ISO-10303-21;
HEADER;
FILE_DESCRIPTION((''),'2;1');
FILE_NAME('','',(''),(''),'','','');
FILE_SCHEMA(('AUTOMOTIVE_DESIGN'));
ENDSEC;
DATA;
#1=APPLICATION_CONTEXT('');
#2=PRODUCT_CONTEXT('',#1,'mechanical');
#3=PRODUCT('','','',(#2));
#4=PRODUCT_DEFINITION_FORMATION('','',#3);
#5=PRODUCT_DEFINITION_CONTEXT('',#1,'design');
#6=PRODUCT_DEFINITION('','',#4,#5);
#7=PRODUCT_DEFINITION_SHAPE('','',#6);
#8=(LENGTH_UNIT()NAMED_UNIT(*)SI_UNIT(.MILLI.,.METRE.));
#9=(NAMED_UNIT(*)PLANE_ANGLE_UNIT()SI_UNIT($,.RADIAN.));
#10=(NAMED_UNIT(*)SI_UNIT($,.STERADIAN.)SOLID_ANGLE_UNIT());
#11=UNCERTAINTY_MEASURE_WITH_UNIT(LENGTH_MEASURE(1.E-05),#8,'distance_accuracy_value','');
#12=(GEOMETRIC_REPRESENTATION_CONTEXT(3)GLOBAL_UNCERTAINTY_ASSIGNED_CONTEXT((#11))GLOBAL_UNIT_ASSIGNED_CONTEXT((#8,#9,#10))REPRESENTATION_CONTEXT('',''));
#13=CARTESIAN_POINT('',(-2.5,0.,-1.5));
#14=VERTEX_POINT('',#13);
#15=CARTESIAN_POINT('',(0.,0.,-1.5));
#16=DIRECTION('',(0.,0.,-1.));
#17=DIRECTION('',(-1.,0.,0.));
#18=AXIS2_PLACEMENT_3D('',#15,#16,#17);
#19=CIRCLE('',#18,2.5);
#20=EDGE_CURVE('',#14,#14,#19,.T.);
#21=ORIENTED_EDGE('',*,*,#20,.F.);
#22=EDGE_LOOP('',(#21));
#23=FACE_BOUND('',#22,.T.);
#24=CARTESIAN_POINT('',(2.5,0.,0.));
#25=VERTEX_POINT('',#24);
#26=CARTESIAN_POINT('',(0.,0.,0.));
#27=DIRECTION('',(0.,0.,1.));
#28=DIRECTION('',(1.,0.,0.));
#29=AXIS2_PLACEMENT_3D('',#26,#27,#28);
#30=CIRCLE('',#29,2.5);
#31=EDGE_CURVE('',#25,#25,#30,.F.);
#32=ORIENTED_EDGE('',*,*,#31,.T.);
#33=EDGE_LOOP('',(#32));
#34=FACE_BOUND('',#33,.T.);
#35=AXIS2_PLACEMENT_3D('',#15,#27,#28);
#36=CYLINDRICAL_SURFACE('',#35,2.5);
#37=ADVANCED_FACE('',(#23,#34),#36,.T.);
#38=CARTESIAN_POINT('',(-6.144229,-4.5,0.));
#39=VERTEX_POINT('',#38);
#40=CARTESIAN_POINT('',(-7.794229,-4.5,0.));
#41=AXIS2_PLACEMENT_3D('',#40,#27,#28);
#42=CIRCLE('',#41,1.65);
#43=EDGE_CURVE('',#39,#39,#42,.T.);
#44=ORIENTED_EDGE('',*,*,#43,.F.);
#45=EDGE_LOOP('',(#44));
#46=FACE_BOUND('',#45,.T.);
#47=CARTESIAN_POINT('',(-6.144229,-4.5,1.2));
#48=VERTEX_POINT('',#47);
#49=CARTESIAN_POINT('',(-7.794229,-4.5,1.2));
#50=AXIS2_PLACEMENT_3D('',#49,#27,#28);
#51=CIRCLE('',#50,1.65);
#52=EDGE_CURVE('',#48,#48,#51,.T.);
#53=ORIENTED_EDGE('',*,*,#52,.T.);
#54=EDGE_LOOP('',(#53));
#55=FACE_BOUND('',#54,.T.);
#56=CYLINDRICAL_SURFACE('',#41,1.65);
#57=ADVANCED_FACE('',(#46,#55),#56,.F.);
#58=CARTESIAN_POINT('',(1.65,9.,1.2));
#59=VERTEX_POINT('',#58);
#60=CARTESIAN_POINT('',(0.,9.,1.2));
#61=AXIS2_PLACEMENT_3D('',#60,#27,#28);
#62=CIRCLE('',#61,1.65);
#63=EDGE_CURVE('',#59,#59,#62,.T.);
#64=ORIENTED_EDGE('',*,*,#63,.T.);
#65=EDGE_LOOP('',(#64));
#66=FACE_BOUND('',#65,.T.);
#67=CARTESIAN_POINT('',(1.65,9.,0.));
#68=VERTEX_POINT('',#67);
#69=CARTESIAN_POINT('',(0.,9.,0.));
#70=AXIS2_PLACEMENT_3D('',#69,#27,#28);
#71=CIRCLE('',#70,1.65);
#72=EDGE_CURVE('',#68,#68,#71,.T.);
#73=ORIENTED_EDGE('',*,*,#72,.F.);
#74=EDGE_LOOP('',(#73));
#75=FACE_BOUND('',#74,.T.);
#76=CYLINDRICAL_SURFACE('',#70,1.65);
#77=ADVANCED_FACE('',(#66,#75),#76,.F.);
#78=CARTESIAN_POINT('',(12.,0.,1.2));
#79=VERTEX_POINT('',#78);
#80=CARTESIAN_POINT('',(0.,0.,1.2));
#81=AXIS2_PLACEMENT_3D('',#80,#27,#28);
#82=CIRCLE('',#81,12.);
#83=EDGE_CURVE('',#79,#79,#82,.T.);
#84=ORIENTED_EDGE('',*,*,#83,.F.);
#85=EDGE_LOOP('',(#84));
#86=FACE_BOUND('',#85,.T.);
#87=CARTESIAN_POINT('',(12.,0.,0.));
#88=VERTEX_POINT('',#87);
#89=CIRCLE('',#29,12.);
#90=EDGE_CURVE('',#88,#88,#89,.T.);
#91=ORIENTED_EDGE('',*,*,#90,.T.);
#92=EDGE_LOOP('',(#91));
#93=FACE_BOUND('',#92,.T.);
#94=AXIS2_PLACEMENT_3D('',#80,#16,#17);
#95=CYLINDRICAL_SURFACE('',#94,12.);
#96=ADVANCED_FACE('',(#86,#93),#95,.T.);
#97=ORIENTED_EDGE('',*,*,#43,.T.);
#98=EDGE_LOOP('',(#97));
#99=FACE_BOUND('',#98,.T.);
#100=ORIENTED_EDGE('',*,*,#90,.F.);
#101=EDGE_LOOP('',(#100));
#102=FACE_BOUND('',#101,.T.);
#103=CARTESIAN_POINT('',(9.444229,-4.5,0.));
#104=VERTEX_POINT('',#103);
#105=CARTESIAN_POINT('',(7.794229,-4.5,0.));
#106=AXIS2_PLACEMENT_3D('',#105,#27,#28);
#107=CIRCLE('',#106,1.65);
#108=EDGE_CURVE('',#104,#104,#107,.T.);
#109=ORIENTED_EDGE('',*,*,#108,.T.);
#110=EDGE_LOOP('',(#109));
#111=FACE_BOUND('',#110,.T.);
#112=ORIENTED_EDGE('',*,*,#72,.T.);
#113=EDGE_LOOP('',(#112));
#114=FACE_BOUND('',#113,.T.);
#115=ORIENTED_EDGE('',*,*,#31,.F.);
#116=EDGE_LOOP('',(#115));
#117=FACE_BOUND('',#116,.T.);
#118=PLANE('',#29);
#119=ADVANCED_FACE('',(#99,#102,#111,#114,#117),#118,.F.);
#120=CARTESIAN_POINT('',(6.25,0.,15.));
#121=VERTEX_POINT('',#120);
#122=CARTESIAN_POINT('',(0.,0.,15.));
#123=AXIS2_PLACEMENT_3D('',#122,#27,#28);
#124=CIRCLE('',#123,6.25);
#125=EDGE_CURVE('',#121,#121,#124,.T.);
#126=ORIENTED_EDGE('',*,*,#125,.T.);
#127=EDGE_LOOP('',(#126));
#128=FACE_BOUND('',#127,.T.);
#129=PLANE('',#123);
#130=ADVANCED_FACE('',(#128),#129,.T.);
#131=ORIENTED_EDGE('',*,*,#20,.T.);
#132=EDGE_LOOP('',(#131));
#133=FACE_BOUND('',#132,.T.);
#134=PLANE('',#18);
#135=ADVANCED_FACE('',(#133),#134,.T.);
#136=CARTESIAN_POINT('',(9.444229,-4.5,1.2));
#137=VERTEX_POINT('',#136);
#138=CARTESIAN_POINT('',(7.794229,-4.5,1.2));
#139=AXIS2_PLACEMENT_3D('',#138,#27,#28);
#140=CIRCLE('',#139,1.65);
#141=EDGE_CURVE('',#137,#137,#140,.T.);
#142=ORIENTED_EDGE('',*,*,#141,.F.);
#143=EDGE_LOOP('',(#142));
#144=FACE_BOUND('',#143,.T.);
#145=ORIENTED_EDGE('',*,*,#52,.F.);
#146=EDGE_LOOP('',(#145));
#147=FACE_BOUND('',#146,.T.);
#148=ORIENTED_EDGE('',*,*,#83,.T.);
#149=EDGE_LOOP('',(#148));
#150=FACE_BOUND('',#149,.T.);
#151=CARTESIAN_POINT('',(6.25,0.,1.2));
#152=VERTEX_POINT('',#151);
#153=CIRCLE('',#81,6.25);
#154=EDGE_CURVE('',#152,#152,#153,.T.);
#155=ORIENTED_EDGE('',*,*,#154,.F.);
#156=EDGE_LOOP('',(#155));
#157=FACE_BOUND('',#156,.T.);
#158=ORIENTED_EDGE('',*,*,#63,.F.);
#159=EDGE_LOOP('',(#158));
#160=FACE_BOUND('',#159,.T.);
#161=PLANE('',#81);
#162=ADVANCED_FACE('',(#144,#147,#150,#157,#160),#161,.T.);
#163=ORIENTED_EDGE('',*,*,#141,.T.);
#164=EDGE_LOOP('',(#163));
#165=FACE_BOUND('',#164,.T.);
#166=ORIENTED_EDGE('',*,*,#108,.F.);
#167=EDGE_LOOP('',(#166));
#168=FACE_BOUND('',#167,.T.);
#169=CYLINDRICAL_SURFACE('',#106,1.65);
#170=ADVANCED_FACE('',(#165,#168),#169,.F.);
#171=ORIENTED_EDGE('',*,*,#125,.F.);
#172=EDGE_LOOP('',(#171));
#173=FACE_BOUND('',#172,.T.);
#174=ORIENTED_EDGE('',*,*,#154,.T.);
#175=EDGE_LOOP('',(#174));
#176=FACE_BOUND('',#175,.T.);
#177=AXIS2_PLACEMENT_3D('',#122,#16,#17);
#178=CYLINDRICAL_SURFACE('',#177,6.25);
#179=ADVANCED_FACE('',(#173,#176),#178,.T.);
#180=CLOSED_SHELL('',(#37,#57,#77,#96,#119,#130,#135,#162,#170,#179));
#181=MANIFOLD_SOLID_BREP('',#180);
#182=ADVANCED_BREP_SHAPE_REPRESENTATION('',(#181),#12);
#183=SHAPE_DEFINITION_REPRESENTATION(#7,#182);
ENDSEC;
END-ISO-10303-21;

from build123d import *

# Parameters (mm, degrees)
SKETCH1_R           = 12
BOSS_EXTRUDE1_DEPTH = 1.2
SKETCH2_R           = 6.25
BOSS_EXTRUDE2_DEPTH = 13.8
SKETCH3_R           = 1.65
CUT_EXTRUDE1_DEPTH  = 2.2
SKETCH4_R           = 2.5
BOSS_EXTRUDE3_DEPTH = 1.5


with BuildPart() as part:
    # Sketch1 → Boss-Extrude1 (new body)
    with BuildSketch(Plane.XY):
        Circle(SKETCH1_R)
    extrude(amount=BOSS_EXTRUDE1_DEPTH)

    # Sketch2 → Boss-Extrude2 (add)
    with BuildSketch(Plane.XY.offset(1.2)):
        Circle(SKETCH2_R)
    extrude(amount=BOSS_EXTRUDE2_DEPTH)

    # Sketch3 → Cut-Extrude1 (cut, through all)
    with BuildSketch(Plane.XY.offset(1.2)):
        with Locations((0, 9)):
            Circle(SKETCH3_R)
        with Locations((7.794228634, -4.5)):
            Circle(SKETCH3_R)
        with Locations((-7.794228634, -4.5)):
            Circle(SKETCH3_R)
    extrude(amount=-CUT_EXTRUDE1_DEPTH, mode=Mode.SUBTRACT)

    # Sketch4 → Boss-Extrude3 (add)
    with BuildSketch(Plane(origin=(0, 0, 0), x_dir=(-1, 0, 0), z_dir=(0, 0, -1))):
        Circle(SKETCH4_R)
    extrude(amount=BOSS_EXTRUDE3_DEPTH)


solid = part.part
